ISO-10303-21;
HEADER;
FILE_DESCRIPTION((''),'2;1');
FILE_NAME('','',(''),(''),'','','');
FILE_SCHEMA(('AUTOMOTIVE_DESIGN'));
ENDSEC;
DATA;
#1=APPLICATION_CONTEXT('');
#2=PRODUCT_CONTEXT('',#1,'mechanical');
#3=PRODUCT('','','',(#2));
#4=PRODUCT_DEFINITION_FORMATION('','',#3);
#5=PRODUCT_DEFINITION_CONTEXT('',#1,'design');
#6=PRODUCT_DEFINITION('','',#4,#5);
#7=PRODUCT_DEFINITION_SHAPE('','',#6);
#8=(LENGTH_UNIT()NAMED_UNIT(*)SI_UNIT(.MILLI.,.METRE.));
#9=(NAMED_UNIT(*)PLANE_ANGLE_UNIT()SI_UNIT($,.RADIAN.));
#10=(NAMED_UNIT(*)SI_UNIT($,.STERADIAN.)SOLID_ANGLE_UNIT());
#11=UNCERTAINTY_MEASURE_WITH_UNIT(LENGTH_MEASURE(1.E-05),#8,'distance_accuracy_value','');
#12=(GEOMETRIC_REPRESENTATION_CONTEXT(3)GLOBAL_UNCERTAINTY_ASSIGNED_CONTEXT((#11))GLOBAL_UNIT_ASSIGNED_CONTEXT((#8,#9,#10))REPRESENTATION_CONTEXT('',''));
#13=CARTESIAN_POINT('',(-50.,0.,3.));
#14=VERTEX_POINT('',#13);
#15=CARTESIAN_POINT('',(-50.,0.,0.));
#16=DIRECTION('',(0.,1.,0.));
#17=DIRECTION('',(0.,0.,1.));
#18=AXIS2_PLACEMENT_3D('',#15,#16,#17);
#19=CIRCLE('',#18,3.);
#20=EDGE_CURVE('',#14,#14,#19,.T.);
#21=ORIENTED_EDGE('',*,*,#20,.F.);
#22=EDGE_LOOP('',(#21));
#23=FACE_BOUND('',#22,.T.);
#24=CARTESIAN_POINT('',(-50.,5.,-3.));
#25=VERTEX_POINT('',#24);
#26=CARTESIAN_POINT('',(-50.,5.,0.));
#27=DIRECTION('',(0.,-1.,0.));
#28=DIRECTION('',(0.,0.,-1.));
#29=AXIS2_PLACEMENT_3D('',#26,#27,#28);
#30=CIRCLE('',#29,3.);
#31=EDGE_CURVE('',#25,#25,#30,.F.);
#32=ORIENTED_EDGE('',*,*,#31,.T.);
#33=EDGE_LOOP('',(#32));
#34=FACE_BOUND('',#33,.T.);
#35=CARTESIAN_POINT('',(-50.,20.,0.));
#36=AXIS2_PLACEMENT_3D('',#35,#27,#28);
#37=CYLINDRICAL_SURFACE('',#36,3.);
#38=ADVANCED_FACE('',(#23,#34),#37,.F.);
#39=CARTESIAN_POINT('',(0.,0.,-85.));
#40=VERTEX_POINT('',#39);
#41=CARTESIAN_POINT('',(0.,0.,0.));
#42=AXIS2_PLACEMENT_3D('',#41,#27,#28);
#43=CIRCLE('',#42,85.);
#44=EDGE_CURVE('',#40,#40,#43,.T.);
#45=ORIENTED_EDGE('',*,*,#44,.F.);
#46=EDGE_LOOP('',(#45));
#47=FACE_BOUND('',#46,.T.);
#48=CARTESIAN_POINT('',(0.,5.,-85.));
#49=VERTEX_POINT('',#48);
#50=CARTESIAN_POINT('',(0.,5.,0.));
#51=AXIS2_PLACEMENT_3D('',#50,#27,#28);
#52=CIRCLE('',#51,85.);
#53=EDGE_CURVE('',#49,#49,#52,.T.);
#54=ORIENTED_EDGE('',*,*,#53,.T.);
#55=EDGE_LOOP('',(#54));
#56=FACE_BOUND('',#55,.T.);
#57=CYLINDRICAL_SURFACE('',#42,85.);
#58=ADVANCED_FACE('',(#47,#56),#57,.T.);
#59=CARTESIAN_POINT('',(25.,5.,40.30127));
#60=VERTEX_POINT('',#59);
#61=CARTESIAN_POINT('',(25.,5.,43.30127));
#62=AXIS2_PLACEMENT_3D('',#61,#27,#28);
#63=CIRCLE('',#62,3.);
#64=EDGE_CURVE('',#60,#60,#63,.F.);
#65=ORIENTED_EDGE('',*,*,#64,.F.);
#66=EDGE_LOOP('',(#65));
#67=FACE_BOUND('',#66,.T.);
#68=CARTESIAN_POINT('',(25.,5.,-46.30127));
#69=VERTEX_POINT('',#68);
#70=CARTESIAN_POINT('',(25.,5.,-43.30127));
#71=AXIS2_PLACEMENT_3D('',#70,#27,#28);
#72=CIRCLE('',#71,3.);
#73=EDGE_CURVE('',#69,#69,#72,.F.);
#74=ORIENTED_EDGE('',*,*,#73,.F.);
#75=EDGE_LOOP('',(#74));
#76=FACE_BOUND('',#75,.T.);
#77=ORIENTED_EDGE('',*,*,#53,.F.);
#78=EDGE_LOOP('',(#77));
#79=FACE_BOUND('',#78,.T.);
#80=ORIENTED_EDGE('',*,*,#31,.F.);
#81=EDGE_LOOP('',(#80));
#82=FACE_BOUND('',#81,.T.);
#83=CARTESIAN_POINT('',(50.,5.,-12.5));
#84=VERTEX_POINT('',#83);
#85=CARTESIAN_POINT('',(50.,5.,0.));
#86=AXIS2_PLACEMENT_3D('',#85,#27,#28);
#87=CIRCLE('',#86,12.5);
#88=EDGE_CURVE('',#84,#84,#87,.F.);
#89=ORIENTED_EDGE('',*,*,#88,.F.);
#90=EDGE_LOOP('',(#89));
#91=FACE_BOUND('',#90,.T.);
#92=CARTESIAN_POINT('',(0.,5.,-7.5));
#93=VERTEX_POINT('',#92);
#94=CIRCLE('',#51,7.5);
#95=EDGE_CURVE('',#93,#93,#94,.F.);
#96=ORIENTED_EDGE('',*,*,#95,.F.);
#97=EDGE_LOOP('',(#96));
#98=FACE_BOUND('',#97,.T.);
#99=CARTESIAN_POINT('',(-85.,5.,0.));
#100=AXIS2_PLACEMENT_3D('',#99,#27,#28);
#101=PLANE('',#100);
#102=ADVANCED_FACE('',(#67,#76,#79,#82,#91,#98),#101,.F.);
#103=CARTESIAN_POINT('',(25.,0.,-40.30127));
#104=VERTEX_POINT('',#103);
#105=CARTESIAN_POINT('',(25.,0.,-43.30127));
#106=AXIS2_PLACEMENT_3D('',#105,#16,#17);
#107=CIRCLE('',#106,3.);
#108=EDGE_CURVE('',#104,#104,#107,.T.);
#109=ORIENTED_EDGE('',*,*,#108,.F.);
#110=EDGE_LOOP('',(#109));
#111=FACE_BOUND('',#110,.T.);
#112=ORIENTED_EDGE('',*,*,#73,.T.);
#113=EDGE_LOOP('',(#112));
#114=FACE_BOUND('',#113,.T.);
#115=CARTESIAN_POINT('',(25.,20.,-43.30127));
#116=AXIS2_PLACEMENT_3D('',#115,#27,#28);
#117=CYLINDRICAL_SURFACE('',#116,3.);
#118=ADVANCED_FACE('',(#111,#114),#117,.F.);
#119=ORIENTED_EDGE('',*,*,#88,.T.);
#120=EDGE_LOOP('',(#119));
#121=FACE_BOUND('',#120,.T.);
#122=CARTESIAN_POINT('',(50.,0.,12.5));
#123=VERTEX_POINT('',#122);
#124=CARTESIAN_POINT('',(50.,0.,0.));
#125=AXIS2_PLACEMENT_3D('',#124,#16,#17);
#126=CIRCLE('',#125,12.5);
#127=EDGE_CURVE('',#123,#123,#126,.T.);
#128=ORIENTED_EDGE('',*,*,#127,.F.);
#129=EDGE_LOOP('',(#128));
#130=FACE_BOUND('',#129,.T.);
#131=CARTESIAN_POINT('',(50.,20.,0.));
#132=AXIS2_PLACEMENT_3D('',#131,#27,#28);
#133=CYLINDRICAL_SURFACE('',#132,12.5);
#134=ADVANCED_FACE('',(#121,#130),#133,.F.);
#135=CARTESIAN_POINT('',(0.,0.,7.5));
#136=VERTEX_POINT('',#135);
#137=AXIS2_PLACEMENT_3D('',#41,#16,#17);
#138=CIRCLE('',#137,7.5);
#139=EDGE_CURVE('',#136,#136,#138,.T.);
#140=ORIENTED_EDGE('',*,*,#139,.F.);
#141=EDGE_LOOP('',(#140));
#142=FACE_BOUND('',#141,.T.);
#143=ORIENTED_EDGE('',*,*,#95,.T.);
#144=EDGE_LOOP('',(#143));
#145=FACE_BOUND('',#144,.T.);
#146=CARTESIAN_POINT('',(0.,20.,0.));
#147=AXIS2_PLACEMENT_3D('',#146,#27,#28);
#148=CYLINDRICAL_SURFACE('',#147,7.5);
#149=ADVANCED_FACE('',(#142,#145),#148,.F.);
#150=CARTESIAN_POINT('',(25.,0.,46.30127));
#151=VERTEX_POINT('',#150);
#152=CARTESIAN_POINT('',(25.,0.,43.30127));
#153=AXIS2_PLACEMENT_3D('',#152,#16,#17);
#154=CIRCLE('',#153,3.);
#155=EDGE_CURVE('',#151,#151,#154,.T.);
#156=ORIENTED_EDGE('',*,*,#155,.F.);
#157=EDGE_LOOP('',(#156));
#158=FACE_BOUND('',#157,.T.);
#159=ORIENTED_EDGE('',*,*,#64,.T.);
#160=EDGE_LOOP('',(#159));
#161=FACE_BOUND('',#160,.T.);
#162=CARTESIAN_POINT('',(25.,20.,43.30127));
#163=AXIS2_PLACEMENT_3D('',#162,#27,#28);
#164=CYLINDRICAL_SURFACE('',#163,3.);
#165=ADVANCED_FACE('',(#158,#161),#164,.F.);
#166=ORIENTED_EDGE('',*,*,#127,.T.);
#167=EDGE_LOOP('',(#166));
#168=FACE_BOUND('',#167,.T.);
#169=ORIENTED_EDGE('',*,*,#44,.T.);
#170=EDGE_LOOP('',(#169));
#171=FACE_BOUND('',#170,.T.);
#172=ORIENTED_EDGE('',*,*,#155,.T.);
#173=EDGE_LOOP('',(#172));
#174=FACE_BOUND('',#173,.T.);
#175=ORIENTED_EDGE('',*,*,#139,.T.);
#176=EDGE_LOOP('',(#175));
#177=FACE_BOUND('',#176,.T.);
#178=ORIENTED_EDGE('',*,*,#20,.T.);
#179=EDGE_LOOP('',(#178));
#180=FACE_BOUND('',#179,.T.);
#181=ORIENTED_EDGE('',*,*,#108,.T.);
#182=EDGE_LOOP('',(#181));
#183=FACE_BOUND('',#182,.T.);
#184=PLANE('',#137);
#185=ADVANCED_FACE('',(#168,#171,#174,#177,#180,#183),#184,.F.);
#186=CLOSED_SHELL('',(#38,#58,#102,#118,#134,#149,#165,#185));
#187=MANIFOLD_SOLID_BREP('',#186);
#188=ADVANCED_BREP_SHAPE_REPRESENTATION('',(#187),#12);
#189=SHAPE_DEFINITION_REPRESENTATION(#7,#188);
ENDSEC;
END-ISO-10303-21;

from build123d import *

# Parameters (mm, degrees)
SKETCH_1_W          = 85
SKETCH_1_H          = 5
SKETCH_2_R          = 12.5
SKETCH_2_R_2        = 7.5
SKETCH_2_R_3        = 3
CUT_EXTRUDE_1_DEPTH = 20


with BuildPart() as part:
    # 草图1 → 旋转1 (revolve)
    with BuildSketch(Plane.XY):
        with Locations((-42.5, 2.5)):
            Rectangle(SKETCH_1_W, SKETCH_1_H)
    revolve(axis=Axis((0, 0, 0), (0, 1, 0)))

    # 草图2 → 切除-拉伸1 (cut)
    with BuildSketch(Plane(origin=(0, 0, 0), x_dir=(1, 0, 0), z_dir=(0, 1, 0))):
        with Locations((50, 0)):
            Circle(SKETCH_2_R)
        Circle(SKETCH_2_R_2)
        with Locations((-50, 0)):
            Circle(SKETCH_2_R_3)
        with Locations((25, 43.301270189)):
            Circle(SKETCH_2_R_3)
        with Locations((25, -43.301270189)):
            Circle(SKETCH_2_R_3)
    extrude(amount=CUT_EXTRUDE_1_DEPTH, mode=Mode.SUBTRACT)


solid = part.part
